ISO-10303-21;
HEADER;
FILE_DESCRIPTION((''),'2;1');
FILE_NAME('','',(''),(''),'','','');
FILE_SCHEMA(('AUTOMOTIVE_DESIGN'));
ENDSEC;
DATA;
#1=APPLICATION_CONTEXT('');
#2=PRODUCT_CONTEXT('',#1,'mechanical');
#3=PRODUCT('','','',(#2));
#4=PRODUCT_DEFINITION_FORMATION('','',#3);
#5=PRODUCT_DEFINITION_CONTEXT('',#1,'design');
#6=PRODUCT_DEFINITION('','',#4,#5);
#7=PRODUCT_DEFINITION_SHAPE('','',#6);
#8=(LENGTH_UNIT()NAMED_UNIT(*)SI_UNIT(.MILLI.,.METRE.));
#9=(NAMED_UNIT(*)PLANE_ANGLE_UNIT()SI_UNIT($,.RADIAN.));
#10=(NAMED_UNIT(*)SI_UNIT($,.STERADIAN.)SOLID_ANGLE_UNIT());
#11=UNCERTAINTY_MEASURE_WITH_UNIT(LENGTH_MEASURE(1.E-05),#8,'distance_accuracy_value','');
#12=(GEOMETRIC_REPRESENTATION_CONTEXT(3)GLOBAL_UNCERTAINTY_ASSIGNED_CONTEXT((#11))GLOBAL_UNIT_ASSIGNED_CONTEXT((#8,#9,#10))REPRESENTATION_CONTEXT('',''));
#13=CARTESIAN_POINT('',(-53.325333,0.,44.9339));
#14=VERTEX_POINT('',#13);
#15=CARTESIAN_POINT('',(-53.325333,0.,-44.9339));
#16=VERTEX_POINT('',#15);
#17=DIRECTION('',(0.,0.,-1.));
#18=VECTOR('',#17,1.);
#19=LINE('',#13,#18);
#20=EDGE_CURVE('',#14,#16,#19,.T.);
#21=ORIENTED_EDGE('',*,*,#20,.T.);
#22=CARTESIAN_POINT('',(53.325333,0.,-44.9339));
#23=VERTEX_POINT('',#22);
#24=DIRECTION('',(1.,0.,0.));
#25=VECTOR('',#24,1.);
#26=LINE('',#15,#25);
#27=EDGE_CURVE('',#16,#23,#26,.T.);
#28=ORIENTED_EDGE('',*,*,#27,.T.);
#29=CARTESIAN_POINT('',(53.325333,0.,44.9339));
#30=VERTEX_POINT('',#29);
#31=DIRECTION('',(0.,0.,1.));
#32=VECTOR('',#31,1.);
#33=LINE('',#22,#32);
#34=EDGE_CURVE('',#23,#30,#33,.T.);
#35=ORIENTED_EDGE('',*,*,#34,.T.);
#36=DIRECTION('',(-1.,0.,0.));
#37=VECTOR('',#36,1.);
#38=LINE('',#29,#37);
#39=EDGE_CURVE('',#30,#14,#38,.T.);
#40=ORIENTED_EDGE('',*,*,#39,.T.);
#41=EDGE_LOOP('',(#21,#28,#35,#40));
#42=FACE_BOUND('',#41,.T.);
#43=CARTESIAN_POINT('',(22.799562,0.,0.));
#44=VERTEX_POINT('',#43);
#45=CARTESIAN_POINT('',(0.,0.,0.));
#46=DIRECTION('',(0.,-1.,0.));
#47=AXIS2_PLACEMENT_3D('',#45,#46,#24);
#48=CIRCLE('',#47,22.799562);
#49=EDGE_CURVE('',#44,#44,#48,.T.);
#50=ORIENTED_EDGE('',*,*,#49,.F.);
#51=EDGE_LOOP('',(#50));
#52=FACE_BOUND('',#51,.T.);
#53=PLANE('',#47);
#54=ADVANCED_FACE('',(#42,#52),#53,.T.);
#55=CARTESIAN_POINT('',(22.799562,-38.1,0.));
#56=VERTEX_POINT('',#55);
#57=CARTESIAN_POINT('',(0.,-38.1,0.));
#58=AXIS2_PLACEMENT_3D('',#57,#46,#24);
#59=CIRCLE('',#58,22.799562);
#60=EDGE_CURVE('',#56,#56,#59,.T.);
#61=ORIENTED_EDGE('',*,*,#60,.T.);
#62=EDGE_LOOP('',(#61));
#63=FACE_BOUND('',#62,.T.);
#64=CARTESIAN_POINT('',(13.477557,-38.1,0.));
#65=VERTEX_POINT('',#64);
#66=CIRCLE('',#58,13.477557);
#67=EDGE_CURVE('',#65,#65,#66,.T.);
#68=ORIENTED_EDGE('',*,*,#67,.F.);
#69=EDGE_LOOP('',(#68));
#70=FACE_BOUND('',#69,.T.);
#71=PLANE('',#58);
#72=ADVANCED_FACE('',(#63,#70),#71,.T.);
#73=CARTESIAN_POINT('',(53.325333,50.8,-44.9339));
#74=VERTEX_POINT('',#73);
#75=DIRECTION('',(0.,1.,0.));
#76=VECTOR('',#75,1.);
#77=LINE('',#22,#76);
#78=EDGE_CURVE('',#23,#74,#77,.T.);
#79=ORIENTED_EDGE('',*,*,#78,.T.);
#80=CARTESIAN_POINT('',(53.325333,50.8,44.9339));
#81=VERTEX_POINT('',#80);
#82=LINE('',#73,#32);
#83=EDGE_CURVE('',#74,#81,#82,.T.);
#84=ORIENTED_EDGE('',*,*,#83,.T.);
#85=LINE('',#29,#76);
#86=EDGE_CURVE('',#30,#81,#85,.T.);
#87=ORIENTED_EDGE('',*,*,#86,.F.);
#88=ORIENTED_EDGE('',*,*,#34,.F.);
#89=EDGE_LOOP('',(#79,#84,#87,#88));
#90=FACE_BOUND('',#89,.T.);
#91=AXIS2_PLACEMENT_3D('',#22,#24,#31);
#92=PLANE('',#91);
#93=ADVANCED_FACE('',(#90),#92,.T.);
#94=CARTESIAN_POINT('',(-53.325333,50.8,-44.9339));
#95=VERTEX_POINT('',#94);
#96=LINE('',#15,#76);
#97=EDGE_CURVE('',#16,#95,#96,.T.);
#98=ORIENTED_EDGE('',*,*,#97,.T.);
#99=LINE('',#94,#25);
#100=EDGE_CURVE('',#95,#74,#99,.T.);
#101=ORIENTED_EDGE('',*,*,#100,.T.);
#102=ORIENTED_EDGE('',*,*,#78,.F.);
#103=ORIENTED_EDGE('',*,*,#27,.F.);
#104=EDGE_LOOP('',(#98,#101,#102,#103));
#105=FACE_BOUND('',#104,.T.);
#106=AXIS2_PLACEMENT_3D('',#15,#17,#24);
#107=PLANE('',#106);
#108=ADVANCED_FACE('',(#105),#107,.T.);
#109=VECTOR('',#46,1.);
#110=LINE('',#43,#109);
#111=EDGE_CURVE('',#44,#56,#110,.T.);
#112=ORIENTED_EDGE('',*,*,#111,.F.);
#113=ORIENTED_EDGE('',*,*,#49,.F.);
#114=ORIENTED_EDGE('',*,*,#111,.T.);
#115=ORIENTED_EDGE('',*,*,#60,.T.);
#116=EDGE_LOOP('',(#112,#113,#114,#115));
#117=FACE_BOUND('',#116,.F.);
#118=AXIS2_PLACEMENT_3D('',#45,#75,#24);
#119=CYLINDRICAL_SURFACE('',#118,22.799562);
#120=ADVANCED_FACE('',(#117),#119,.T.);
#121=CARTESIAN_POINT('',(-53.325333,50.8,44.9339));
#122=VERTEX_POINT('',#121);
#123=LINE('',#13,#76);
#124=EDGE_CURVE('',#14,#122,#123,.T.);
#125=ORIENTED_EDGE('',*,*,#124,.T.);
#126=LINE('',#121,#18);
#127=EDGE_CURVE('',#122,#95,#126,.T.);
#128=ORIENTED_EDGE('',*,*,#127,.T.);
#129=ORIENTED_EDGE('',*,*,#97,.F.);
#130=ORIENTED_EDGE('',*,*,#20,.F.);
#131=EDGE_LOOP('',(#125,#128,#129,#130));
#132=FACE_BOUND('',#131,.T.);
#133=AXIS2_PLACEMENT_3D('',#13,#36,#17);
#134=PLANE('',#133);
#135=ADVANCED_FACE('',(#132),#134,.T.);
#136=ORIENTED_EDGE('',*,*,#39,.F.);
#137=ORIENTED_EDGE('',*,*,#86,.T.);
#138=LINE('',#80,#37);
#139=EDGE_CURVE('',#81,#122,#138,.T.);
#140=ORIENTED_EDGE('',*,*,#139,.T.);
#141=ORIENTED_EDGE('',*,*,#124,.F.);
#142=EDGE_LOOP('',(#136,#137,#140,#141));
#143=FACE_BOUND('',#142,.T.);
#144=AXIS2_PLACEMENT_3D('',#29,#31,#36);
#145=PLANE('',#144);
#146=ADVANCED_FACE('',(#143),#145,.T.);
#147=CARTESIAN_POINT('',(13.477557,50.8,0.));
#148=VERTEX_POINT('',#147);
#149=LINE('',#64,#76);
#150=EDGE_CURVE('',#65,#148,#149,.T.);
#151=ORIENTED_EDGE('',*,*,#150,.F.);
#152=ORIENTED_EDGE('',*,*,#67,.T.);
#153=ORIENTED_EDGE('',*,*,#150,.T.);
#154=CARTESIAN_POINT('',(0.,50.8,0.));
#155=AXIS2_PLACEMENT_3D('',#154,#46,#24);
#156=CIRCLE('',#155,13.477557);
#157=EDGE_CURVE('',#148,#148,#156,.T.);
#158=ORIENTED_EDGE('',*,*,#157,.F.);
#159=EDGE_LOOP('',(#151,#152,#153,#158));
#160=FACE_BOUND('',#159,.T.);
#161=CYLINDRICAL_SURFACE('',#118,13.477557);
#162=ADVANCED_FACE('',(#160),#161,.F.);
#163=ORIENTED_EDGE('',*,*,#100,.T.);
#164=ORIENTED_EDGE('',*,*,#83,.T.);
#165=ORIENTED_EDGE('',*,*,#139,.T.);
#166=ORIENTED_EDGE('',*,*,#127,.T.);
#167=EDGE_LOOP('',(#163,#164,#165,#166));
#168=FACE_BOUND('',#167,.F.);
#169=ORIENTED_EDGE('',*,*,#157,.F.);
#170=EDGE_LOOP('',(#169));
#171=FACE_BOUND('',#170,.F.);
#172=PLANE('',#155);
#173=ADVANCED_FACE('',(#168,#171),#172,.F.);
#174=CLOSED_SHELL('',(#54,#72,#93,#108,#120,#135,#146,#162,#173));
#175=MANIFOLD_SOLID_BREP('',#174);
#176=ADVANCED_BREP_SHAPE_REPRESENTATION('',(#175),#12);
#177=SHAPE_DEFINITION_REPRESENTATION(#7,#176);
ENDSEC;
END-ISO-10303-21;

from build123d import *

# Parameters (mm, degrees)
F0_R     = 22.799562
F0_R_2   = 13.477557
F1_DEPTH = 50.8
F2_DEPTH = 38.1


with BuildPart() as f1:
    # F0 (on Front) → F1 (new body)
    with BuildSketch(Plane.XZ):
        Polygon((53.325333, 44.9339), (0, 44.9339), (-53.325333, 44.9339), (-53.325333, 0), (-53.325333, -44.9339), (0, -44.9339), (53.325333, -44.9339), (53.325333, 0), align=None)
        Circle(F0_R, mode=Mode.SUBTRACT)
        Circle(F0_R)
        Circle(F0_R_2, mode=Mode.SUBTRACT)
    extrude(amount=-F1_DEPTH)

    # F0 (on Front) → F2 (join)
    with BuildSketch(Plane.XZ):
        Circle(F0_R)
        Circle(F0_R_2, mode=Mode.SUBTRACT)
    extrude(amount=F2_DEPTH)


solid = f1.part
